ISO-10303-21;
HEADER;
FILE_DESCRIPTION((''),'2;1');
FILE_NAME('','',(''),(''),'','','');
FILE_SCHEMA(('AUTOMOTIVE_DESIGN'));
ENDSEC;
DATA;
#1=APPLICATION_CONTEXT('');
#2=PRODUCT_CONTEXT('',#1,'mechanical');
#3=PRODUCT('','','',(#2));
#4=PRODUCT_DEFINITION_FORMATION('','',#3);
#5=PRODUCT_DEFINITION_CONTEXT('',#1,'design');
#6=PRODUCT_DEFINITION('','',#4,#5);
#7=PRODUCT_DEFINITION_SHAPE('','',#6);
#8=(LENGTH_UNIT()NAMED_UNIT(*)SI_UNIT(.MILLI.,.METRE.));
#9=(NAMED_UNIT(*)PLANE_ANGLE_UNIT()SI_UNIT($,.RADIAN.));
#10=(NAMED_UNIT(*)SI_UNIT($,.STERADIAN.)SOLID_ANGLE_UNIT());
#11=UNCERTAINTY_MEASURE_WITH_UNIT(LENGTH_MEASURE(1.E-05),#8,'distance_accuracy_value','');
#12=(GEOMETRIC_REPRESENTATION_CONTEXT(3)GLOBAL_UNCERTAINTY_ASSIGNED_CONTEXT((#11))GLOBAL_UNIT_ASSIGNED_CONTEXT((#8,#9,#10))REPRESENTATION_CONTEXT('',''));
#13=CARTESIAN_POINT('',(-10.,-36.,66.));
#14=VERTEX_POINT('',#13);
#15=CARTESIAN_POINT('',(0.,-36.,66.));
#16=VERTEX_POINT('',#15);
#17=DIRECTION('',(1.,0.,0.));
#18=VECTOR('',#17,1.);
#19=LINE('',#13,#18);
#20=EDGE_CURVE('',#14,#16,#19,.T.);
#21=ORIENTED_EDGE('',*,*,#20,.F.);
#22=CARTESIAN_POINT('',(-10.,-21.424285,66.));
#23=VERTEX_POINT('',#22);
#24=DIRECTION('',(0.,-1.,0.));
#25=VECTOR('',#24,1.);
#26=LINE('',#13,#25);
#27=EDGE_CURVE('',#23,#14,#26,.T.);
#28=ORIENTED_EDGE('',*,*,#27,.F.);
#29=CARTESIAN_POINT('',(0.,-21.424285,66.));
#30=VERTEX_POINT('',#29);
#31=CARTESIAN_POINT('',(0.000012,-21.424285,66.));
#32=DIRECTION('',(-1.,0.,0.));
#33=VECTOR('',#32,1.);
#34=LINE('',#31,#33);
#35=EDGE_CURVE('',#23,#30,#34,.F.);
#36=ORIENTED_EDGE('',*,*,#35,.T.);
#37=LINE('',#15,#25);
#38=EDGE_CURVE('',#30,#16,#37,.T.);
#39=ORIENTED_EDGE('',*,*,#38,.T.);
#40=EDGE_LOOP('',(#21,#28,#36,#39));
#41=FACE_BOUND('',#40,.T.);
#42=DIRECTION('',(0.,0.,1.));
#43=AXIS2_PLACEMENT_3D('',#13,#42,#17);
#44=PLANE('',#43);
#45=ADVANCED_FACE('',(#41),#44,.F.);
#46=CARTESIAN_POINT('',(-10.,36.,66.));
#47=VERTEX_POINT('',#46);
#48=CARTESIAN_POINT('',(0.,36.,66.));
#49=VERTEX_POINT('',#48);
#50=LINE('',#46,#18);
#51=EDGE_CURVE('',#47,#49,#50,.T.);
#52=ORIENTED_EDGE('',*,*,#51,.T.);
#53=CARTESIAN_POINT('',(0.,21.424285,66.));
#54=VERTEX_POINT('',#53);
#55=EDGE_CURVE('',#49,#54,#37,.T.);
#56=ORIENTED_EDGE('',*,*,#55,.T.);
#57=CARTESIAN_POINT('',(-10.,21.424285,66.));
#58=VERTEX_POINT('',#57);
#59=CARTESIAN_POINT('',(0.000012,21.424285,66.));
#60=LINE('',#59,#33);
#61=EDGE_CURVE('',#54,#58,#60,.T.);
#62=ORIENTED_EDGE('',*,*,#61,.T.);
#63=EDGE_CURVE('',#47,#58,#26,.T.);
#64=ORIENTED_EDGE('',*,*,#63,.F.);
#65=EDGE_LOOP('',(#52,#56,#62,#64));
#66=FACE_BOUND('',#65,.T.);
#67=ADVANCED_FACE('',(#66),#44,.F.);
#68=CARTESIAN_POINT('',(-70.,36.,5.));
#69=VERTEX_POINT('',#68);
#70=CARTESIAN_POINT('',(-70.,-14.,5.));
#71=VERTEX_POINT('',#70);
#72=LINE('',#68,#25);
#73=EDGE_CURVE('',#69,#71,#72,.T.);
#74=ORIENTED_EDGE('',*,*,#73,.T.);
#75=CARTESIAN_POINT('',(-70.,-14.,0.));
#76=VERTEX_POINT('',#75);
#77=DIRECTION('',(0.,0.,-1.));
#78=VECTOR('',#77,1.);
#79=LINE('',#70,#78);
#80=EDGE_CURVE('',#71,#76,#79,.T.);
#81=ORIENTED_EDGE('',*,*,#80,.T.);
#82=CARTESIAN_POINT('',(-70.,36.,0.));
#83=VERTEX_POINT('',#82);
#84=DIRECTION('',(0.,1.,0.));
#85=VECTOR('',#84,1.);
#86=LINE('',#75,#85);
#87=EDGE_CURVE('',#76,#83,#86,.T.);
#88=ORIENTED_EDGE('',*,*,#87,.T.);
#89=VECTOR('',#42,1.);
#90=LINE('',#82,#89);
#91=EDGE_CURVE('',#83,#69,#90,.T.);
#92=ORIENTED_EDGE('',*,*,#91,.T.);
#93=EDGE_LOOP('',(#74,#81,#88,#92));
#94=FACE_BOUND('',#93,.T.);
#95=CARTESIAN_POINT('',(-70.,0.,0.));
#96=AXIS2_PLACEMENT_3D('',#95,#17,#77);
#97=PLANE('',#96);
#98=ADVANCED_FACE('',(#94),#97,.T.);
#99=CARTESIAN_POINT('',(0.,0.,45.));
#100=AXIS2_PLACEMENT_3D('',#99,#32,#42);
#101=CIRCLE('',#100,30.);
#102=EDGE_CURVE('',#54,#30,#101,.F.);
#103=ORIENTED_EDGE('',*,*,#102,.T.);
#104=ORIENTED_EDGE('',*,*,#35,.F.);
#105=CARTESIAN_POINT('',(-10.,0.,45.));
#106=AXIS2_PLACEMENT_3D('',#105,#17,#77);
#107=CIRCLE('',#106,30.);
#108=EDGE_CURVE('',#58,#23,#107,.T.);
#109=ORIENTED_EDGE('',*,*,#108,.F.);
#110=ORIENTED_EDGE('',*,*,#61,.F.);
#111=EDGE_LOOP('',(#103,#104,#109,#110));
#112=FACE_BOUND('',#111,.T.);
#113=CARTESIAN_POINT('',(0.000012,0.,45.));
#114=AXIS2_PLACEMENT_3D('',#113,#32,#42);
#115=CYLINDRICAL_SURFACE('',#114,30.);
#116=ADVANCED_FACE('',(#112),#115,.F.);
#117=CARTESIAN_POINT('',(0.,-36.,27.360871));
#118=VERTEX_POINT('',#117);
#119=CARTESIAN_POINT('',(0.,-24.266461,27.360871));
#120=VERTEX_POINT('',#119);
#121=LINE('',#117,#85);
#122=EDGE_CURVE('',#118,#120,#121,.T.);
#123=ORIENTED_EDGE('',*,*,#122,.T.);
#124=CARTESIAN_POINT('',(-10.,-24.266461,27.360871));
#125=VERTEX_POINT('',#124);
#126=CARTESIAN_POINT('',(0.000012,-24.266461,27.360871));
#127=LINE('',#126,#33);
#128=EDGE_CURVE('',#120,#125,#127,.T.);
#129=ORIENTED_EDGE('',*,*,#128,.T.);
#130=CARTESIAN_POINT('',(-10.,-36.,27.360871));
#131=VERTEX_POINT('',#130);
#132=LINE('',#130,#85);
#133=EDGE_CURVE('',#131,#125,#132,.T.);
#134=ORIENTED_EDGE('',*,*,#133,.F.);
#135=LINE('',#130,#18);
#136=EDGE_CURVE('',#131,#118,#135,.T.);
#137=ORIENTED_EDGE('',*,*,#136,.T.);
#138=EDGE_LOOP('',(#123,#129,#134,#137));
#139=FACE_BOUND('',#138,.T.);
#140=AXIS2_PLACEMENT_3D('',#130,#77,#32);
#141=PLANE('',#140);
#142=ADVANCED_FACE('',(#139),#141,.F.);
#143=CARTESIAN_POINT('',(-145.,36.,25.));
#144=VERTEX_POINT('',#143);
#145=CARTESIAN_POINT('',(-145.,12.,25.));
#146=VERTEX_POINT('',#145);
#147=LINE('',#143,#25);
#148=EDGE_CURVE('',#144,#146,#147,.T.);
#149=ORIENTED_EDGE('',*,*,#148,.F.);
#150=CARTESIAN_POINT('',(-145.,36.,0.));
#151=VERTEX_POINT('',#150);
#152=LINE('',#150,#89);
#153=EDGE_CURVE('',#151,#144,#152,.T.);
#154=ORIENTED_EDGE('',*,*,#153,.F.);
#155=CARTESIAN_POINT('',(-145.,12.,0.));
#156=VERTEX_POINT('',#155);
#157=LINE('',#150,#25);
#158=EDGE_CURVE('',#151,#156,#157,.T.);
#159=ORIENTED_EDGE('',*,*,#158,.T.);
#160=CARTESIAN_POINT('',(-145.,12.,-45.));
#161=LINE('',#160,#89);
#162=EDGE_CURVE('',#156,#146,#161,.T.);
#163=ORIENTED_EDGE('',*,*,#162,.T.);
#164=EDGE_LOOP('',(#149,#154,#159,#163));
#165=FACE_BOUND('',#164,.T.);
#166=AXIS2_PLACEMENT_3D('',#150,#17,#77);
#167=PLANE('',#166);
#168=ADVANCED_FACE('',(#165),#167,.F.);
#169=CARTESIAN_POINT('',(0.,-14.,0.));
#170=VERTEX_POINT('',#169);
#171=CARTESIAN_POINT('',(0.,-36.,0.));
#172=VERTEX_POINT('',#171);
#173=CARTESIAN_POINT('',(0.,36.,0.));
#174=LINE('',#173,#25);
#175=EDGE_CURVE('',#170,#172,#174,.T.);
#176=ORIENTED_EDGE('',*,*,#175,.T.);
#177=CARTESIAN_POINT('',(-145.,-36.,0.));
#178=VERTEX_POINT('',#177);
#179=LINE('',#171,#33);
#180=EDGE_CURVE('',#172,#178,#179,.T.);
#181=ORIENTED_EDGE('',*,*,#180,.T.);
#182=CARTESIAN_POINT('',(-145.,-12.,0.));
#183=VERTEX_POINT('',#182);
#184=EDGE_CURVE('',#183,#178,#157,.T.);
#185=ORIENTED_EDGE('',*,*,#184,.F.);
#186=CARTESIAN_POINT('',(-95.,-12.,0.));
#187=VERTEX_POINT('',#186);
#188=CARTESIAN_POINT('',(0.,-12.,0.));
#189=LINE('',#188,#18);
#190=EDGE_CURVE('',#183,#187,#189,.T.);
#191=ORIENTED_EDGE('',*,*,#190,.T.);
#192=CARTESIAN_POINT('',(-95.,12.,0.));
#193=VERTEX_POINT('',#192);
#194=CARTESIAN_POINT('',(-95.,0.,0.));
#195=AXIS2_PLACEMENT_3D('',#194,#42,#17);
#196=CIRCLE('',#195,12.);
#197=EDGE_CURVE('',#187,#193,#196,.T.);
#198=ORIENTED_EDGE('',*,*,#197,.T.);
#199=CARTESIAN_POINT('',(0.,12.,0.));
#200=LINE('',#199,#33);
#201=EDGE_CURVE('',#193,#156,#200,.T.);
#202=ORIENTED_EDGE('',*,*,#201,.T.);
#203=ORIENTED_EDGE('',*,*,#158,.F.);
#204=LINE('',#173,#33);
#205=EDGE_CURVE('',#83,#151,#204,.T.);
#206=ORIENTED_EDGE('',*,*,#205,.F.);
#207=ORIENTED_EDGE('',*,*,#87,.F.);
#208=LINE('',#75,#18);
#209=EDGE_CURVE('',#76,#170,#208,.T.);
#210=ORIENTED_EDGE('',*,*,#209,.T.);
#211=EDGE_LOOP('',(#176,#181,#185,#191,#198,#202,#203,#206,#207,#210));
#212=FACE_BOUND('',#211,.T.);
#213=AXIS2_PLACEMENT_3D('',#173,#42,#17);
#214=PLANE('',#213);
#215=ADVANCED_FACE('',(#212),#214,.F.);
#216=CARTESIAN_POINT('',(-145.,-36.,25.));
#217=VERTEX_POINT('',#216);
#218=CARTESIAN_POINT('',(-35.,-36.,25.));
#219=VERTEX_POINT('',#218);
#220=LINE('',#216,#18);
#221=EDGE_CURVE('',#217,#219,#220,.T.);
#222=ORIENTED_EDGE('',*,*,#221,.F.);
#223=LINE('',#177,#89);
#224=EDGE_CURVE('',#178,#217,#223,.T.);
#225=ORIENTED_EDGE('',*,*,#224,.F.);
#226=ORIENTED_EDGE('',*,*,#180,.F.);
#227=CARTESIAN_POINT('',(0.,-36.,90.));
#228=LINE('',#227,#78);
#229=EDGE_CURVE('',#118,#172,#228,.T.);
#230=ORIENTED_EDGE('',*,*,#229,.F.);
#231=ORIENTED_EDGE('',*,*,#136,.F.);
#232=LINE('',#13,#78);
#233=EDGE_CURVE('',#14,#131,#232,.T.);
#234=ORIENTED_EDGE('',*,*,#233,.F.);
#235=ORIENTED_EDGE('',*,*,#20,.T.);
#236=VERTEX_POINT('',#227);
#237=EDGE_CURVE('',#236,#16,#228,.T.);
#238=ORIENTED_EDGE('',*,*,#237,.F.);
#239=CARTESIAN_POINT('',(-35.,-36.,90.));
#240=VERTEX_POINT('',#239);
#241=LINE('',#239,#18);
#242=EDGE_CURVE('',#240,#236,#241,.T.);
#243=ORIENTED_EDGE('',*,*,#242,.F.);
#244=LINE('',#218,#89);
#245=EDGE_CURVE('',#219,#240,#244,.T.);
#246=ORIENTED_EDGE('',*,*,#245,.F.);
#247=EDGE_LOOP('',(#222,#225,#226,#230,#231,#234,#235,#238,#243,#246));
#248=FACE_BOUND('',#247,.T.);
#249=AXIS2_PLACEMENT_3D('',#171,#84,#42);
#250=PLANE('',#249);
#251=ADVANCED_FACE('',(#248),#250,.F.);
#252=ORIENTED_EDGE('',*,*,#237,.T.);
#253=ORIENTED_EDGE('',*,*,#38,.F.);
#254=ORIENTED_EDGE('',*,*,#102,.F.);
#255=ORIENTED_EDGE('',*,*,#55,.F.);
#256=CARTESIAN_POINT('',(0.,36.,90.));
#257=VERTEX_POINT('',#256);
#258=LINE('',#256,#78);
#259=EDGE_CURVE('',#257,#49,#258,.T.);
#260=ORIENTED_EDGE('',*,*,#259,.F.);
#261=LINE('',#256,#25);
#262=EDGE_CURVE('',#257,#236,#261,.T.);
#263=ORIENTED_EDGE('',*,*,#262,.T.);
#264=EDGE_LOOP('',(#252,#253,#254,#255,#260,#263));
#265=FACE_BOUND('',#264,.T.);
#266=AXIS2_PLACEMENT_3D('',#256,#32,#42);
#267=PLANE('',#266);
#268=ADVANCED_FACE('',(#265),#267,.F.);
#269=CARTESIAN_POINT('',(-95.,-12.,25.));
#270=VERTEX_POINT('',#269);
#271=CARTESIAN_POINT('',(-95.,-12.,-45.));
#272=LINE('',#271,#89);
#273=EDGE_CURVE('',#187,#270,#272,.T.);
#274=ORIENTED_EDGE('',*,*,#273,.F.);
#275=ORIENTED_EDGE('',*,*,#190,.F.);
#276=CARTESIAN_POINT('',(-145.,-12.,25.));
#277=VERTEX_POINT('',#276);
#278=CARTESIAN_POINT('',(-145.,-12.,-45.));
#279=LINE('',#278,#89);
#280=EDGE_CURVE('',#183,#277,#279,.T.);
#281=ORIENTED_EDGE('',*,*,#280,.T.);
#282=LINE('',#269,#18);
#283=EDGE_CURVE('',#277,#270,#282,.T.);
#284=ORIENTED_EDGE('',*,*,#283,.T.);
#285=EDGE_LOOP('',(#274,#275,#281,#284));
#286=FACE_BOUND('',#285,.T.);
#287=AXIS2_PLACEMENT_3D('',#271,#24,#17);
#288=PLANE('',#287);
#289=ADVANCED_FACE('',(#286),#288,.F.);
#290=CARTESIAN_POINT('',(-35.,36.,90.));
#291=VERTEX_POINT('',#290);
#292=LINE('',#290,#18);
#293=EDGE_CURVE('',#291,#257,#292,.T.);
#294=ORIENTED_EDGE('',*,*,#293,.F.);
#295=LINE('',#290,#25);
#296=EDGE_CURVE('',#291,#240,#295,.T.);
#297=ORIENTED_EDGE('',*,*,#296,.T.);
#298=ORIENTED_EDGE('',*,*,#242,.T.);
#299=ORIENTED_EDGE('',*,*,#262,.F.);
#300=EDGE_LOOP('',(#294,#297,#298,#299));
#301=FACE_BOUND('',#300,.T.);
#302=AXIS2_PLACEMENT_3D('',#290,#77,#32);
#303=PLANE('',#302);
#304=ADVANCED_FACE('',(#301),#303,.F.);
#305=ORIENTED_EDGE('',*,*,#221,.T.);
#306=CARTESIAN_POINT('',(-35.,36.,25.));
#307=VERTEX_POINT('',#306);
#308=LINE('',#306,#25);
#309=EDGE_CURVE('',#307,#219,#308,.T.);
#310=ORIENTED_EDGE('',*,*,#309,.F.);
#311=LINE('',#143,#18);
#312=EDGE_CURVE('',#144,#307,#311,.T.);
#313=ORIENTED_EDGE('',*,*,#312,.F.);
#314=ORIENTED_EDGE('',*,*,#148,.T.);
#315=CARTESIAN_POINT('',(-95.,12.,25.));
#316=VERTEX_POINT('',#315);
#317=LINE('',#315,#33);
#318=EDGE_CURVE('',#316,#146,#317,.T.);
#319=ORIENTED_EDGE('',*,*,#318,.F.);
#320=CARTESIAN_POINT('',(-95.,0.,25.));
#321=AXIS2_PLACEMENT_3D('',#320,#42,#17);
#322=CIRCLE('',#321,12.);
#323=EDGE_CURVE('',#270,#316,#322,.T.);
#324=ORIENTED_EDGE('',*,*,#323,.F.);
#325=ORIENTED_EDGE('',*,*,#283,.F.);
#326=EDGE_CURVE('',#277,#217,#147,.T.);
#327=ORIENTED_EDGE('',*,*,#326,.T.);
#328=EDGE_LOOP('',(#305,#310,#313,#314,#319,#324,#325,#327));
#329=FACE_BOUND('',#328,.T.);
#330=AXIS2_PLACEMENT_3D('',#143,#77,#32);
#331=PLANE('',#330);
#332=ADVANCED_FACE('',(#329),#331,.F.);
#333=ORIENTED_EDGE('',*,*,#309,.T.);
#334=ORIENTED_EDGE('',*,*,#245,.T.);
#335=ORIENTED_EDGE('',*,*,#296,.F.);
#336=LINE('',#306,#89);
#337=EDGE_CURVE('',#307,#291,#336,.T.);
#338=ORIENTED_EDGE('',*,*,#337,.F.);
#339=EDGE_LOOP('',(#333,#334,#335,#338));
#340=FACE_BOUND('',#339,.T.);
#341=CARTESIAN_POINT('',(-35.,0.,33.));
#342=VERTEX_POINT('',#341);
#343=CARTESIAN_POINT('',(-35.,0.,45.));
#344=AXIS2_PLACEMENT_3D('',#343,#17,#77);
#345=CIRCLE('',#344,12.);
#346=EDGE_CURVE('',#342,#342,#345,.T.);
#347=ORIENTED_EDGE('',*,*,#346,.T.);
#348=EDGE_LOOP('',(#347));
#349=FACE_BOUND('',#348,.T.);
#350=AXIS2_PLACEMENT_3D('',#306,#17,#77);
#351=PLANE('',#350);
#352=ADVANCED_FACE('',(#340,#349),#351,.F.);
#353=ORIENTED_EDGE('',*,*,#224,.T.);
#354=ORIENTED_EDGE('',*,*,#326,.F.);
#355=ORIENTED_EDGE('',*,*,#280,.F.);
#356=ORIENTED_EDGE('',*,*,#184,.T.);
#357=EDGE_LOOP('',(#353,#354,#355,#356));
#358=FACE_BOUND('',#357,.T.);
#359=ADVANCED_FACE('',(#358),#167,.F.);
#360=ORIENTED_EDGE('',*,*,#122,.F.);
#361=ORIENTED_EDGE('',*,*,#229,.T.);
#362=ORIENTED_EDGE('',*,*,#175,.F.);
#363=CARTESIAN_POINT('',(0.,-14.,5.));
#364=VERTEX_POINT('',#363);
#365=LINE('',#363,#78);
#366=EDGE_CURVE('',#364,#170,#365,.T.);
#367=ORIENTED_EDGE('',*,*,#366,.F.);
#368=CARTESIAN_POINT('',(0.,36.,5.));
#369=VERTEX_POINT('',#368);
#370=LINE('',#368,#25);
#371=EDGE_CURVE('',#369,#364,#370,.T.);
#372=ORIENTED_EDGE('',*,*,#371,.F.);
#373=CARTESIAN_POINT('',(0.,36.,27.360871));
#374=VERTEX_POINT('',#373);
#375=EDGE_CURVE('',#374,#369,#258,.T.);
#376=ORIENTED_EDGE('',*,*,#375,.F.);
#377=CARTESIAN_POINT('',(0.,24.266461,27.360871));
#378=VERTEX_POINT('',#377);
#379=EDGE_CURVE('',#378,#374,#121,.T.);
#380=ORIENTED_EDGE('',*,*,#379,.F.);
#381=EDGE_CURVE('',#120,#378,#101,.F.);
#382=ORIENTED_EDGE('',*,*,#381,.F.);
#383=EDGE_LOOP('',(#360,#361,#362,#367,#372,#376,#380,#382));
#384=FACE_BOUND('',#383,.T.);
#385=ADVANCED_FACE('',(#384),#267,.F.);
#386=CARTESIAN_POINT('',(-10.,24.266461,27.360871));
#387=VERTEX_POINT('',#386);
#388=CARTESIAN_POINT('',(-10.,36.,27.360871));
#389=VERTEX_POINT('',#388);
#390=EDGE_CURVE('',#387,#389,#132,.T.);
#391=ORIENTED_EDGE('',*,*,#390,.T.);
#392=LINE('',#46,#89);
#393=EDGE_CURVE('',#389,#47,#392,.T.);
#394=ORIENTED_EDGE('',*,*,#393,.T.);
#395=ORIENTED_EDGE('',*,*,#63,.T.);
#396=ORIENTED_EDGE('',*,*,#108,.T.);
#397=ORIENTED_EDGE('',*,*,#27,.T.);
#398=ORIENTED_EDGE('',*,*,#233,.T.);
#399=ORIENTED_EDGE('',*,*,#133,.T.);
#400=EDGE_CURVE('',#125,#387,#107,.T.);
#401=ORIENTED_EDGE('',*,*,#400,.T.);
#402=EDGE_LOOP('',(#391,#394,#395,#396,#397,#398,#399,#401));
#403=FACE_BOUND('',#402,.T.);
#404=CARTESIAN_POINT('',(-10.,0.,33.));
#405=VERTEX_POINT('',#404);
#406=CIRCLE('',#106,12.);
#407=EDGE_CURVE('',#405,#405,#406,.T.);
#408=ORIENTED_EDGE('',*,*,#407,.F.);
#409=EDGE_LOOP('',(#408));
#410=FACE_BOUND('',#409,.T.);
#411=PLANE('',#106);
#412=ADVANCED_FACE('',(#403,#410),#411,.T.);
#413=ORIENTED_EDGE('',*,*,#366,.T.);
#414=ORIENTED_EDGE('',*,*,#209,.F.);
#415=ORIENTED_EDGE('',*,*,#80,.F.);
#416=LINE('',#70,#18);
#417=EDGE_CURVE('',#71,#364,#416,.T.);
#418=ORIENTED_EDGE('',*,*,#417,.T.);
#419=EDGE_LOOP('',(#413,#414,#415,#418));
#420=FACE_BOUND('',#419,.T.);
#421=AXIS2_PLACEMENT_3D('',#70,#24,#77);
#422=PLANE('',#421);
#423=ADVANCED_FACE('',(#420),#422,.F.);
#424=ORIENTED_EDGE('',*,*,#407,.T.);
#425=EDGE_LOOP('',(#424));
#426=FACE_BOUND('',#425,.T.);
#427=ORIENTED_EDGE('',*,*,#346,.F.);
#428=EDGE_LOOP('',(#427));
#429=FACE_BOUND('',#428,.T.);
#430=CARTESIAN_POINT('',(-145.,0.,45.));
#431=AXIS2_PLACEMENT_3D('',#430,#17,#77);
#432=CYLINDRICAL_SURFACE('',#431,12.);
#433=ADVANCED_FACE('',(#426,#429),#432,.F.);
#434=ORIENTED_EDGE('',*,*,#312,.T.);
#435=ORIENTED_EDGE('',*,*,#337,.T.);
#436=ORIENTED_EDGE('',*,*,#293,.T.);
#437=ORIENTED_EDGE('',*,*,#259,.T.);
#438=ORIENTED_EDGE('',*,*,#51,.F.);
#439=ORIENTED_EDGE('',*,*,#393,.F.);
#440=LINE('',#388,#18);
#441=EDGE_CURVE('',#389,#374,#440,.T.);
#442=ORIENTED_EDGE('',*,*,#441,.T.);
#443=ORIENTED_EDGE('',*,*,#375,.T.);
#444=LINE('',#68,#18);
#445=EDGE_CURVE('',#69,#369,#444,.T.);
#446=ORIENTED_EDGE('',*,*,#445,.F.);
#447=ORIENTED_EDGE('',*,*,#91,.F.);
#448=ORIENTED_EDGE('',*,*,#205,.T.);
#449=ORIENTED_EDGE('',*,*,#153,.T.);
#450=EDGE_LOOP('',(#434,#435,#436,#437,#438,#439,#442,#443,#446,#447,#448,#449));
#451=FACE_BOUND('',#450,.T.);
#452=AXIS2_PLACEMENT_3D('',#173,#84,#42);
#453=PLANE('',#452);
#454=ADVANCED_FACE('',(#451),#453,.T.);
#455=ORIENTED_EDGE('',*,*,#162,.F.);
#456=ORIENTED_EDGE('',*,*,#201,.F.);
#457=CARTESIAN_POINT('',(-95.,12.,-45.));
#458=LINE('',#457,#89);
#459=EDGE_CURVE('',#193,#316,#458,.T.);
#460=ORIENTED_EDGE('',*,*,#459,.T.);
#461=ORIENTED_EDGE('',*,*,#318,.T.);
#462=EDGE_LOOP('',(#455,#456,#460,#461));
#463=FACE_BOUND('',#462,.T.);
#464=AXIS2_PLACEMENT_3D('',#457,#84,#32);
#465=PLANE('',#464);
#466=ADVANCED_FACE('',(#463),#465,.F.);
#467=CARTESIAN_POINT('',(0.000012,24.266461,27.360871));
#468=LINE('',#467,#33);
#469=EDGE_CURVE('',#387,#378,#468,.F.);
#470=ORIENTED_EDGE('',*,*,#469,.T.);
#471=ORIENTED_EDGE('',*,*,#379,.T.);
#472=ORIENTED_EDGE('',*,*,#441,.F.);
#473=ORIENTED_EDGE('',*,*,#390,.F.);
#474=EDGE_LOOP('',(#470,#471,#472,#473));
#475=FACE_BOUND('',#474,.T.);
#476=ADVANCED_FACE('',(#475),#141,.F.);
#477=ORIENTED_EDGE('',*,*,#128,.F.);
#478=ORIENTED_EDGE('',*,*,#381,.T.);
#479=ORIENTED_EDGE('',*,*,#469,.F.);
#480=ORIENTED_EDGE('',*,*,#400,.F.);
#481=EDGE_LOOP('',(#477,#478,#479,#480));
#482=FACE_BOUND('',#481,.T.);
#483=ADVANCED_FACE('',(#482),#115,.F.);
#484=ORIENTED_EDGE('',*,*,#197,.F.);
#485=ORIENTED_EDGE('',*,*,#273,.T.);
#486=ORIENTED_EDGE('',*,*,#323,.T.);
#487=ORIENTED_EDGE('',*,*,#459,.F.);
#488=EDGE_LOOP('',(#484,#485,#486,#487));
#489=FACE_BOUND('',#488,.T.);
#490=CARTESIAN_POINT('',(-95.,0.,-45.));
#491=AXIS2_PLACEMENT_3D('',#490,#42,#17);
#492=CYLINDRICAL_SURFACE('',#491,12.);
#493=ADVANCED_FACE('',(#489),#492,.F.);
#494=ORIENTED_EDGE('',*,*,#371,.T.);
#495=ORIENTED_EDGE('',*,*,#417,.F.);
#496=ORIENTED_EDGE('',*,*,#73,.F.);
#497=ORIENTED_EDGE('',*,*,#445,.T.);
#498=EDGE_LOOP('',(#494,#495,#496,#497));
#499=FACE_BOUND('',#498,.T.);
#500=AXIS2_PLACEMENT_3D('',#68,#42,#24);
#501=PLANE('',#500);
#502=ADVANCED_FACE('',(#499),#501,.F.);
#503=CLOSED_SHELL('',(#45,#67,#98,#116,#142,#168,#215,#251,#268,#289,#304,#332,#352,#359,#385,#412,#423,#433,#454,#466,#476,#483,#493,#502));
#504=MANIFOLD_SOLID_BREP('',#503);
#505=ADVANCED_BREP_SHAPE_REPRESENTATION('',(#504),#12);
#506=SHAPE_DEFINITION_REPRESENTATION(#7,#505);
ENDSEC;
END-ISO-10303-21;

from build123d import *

# Parameters (mm, degrees)
BOSS_EXTRUDE1_DEPTH     = 36
CUT_EXTRUDE1_DEPTH      = 175.416168975
CUT_EXTRUDE1_DEPTH_BACK = 10
SKETCH2_R               = 30
SKETCH3_W               = 72
SKETCH3_H               = 38.639129372
CUT_EXTRUDE2_DEPTH      = 10
SKETCH4_R               = 12
CUT_EXTRUDE3_DEPTH      = 167.195667814
SKETCH5_W               = 50
SKETCH5_H               = 5
CUT_EXTRUDE4_DEPTH      = 70
CUT_EXTRUDE5_DEPTH      = 70


with BuildPart() as part:
    # Sketch1 → Boss-Extrude1 (new, symmetric)
    with BuildSketch(Plane(origin=(0, 0, 0), x_dir=(-1, 0, 0), z_dir=(0, 1, 0))):
        Polygon((0, 0), (145, 0), (145, 25), (35, 25), (35, 90), (0, 90), align=None)
    extrude(amount=BOSS_EXTRUDE1_DEPTH, both=True)

    # Sketch2 → Cut-Extrude1 (cut, two sides: drawn at the far end of the back side and taken through both)
    with BuildSketch(Plane.YZ.offset(-CUT_EXTRUDE1_DEPTH_BACK)):
        with Locations(Location((0, 45, 0), (0, 0, 90))):
            Circle(SKETCH2_R)
    extrude(amount=CUT_EXTRUDE1_DEPTH + CUT_EXTRUDE1_DEPTH_BACK, mode=Mode.SUBTRACT)

    # Sketch3 → Cut-Extrude2 (cut)
    with BuildSketch(Plane.YZ):
        with Locations((0, 46.680435314)):
            Rectangle(SKETCH3_W, SKETCH3_H)
    extrude(amount=-CUT_EXTRUDE2_DEPTH, mode=Mode.SUBTRACT)

    # Sketch4 → Cut-Extrude3 (cut, through all)
    with BuildSketch(Plane.YZ.offset(-10)):
        with Locations(Location((0, 45, 0), (0, 0, 270))):
            Circle(SKETCH4_R)
    extrude(amount=-CUT_EXTRUDE3_DEPTH, mode=Mode.SUBTRACT)

    # Sketch5 → Cut-Extrude4 (cut)
    with BuildSketch(Plane.YZ):
        with Locations((11, 2.5)):
            Rectangle(SKETCH5_W, SKETCH5_H)
    extrude(amount=-CUT_EXTRUDE4_DEPTH, mode=Mode.SUBTRACT)

    # Sketch6 → Cut-Extrude5 (cut)
    with BuildSketch(Plane.XY.offset(25)):
        with BuildLine():
            Line((-95, 12), (-145, 12))
            Line((-145, 12), (-145, -12))
            Line((-145, -12), (-95, -12))
            ThreePointArc((-95, -12), (-83, 0), (-95, 12))
        make_face()
    extrude(amount=-CUT_EXTRUDE5_DEPTH, mode=Mode.SUBTRACT)


solid = part.part
